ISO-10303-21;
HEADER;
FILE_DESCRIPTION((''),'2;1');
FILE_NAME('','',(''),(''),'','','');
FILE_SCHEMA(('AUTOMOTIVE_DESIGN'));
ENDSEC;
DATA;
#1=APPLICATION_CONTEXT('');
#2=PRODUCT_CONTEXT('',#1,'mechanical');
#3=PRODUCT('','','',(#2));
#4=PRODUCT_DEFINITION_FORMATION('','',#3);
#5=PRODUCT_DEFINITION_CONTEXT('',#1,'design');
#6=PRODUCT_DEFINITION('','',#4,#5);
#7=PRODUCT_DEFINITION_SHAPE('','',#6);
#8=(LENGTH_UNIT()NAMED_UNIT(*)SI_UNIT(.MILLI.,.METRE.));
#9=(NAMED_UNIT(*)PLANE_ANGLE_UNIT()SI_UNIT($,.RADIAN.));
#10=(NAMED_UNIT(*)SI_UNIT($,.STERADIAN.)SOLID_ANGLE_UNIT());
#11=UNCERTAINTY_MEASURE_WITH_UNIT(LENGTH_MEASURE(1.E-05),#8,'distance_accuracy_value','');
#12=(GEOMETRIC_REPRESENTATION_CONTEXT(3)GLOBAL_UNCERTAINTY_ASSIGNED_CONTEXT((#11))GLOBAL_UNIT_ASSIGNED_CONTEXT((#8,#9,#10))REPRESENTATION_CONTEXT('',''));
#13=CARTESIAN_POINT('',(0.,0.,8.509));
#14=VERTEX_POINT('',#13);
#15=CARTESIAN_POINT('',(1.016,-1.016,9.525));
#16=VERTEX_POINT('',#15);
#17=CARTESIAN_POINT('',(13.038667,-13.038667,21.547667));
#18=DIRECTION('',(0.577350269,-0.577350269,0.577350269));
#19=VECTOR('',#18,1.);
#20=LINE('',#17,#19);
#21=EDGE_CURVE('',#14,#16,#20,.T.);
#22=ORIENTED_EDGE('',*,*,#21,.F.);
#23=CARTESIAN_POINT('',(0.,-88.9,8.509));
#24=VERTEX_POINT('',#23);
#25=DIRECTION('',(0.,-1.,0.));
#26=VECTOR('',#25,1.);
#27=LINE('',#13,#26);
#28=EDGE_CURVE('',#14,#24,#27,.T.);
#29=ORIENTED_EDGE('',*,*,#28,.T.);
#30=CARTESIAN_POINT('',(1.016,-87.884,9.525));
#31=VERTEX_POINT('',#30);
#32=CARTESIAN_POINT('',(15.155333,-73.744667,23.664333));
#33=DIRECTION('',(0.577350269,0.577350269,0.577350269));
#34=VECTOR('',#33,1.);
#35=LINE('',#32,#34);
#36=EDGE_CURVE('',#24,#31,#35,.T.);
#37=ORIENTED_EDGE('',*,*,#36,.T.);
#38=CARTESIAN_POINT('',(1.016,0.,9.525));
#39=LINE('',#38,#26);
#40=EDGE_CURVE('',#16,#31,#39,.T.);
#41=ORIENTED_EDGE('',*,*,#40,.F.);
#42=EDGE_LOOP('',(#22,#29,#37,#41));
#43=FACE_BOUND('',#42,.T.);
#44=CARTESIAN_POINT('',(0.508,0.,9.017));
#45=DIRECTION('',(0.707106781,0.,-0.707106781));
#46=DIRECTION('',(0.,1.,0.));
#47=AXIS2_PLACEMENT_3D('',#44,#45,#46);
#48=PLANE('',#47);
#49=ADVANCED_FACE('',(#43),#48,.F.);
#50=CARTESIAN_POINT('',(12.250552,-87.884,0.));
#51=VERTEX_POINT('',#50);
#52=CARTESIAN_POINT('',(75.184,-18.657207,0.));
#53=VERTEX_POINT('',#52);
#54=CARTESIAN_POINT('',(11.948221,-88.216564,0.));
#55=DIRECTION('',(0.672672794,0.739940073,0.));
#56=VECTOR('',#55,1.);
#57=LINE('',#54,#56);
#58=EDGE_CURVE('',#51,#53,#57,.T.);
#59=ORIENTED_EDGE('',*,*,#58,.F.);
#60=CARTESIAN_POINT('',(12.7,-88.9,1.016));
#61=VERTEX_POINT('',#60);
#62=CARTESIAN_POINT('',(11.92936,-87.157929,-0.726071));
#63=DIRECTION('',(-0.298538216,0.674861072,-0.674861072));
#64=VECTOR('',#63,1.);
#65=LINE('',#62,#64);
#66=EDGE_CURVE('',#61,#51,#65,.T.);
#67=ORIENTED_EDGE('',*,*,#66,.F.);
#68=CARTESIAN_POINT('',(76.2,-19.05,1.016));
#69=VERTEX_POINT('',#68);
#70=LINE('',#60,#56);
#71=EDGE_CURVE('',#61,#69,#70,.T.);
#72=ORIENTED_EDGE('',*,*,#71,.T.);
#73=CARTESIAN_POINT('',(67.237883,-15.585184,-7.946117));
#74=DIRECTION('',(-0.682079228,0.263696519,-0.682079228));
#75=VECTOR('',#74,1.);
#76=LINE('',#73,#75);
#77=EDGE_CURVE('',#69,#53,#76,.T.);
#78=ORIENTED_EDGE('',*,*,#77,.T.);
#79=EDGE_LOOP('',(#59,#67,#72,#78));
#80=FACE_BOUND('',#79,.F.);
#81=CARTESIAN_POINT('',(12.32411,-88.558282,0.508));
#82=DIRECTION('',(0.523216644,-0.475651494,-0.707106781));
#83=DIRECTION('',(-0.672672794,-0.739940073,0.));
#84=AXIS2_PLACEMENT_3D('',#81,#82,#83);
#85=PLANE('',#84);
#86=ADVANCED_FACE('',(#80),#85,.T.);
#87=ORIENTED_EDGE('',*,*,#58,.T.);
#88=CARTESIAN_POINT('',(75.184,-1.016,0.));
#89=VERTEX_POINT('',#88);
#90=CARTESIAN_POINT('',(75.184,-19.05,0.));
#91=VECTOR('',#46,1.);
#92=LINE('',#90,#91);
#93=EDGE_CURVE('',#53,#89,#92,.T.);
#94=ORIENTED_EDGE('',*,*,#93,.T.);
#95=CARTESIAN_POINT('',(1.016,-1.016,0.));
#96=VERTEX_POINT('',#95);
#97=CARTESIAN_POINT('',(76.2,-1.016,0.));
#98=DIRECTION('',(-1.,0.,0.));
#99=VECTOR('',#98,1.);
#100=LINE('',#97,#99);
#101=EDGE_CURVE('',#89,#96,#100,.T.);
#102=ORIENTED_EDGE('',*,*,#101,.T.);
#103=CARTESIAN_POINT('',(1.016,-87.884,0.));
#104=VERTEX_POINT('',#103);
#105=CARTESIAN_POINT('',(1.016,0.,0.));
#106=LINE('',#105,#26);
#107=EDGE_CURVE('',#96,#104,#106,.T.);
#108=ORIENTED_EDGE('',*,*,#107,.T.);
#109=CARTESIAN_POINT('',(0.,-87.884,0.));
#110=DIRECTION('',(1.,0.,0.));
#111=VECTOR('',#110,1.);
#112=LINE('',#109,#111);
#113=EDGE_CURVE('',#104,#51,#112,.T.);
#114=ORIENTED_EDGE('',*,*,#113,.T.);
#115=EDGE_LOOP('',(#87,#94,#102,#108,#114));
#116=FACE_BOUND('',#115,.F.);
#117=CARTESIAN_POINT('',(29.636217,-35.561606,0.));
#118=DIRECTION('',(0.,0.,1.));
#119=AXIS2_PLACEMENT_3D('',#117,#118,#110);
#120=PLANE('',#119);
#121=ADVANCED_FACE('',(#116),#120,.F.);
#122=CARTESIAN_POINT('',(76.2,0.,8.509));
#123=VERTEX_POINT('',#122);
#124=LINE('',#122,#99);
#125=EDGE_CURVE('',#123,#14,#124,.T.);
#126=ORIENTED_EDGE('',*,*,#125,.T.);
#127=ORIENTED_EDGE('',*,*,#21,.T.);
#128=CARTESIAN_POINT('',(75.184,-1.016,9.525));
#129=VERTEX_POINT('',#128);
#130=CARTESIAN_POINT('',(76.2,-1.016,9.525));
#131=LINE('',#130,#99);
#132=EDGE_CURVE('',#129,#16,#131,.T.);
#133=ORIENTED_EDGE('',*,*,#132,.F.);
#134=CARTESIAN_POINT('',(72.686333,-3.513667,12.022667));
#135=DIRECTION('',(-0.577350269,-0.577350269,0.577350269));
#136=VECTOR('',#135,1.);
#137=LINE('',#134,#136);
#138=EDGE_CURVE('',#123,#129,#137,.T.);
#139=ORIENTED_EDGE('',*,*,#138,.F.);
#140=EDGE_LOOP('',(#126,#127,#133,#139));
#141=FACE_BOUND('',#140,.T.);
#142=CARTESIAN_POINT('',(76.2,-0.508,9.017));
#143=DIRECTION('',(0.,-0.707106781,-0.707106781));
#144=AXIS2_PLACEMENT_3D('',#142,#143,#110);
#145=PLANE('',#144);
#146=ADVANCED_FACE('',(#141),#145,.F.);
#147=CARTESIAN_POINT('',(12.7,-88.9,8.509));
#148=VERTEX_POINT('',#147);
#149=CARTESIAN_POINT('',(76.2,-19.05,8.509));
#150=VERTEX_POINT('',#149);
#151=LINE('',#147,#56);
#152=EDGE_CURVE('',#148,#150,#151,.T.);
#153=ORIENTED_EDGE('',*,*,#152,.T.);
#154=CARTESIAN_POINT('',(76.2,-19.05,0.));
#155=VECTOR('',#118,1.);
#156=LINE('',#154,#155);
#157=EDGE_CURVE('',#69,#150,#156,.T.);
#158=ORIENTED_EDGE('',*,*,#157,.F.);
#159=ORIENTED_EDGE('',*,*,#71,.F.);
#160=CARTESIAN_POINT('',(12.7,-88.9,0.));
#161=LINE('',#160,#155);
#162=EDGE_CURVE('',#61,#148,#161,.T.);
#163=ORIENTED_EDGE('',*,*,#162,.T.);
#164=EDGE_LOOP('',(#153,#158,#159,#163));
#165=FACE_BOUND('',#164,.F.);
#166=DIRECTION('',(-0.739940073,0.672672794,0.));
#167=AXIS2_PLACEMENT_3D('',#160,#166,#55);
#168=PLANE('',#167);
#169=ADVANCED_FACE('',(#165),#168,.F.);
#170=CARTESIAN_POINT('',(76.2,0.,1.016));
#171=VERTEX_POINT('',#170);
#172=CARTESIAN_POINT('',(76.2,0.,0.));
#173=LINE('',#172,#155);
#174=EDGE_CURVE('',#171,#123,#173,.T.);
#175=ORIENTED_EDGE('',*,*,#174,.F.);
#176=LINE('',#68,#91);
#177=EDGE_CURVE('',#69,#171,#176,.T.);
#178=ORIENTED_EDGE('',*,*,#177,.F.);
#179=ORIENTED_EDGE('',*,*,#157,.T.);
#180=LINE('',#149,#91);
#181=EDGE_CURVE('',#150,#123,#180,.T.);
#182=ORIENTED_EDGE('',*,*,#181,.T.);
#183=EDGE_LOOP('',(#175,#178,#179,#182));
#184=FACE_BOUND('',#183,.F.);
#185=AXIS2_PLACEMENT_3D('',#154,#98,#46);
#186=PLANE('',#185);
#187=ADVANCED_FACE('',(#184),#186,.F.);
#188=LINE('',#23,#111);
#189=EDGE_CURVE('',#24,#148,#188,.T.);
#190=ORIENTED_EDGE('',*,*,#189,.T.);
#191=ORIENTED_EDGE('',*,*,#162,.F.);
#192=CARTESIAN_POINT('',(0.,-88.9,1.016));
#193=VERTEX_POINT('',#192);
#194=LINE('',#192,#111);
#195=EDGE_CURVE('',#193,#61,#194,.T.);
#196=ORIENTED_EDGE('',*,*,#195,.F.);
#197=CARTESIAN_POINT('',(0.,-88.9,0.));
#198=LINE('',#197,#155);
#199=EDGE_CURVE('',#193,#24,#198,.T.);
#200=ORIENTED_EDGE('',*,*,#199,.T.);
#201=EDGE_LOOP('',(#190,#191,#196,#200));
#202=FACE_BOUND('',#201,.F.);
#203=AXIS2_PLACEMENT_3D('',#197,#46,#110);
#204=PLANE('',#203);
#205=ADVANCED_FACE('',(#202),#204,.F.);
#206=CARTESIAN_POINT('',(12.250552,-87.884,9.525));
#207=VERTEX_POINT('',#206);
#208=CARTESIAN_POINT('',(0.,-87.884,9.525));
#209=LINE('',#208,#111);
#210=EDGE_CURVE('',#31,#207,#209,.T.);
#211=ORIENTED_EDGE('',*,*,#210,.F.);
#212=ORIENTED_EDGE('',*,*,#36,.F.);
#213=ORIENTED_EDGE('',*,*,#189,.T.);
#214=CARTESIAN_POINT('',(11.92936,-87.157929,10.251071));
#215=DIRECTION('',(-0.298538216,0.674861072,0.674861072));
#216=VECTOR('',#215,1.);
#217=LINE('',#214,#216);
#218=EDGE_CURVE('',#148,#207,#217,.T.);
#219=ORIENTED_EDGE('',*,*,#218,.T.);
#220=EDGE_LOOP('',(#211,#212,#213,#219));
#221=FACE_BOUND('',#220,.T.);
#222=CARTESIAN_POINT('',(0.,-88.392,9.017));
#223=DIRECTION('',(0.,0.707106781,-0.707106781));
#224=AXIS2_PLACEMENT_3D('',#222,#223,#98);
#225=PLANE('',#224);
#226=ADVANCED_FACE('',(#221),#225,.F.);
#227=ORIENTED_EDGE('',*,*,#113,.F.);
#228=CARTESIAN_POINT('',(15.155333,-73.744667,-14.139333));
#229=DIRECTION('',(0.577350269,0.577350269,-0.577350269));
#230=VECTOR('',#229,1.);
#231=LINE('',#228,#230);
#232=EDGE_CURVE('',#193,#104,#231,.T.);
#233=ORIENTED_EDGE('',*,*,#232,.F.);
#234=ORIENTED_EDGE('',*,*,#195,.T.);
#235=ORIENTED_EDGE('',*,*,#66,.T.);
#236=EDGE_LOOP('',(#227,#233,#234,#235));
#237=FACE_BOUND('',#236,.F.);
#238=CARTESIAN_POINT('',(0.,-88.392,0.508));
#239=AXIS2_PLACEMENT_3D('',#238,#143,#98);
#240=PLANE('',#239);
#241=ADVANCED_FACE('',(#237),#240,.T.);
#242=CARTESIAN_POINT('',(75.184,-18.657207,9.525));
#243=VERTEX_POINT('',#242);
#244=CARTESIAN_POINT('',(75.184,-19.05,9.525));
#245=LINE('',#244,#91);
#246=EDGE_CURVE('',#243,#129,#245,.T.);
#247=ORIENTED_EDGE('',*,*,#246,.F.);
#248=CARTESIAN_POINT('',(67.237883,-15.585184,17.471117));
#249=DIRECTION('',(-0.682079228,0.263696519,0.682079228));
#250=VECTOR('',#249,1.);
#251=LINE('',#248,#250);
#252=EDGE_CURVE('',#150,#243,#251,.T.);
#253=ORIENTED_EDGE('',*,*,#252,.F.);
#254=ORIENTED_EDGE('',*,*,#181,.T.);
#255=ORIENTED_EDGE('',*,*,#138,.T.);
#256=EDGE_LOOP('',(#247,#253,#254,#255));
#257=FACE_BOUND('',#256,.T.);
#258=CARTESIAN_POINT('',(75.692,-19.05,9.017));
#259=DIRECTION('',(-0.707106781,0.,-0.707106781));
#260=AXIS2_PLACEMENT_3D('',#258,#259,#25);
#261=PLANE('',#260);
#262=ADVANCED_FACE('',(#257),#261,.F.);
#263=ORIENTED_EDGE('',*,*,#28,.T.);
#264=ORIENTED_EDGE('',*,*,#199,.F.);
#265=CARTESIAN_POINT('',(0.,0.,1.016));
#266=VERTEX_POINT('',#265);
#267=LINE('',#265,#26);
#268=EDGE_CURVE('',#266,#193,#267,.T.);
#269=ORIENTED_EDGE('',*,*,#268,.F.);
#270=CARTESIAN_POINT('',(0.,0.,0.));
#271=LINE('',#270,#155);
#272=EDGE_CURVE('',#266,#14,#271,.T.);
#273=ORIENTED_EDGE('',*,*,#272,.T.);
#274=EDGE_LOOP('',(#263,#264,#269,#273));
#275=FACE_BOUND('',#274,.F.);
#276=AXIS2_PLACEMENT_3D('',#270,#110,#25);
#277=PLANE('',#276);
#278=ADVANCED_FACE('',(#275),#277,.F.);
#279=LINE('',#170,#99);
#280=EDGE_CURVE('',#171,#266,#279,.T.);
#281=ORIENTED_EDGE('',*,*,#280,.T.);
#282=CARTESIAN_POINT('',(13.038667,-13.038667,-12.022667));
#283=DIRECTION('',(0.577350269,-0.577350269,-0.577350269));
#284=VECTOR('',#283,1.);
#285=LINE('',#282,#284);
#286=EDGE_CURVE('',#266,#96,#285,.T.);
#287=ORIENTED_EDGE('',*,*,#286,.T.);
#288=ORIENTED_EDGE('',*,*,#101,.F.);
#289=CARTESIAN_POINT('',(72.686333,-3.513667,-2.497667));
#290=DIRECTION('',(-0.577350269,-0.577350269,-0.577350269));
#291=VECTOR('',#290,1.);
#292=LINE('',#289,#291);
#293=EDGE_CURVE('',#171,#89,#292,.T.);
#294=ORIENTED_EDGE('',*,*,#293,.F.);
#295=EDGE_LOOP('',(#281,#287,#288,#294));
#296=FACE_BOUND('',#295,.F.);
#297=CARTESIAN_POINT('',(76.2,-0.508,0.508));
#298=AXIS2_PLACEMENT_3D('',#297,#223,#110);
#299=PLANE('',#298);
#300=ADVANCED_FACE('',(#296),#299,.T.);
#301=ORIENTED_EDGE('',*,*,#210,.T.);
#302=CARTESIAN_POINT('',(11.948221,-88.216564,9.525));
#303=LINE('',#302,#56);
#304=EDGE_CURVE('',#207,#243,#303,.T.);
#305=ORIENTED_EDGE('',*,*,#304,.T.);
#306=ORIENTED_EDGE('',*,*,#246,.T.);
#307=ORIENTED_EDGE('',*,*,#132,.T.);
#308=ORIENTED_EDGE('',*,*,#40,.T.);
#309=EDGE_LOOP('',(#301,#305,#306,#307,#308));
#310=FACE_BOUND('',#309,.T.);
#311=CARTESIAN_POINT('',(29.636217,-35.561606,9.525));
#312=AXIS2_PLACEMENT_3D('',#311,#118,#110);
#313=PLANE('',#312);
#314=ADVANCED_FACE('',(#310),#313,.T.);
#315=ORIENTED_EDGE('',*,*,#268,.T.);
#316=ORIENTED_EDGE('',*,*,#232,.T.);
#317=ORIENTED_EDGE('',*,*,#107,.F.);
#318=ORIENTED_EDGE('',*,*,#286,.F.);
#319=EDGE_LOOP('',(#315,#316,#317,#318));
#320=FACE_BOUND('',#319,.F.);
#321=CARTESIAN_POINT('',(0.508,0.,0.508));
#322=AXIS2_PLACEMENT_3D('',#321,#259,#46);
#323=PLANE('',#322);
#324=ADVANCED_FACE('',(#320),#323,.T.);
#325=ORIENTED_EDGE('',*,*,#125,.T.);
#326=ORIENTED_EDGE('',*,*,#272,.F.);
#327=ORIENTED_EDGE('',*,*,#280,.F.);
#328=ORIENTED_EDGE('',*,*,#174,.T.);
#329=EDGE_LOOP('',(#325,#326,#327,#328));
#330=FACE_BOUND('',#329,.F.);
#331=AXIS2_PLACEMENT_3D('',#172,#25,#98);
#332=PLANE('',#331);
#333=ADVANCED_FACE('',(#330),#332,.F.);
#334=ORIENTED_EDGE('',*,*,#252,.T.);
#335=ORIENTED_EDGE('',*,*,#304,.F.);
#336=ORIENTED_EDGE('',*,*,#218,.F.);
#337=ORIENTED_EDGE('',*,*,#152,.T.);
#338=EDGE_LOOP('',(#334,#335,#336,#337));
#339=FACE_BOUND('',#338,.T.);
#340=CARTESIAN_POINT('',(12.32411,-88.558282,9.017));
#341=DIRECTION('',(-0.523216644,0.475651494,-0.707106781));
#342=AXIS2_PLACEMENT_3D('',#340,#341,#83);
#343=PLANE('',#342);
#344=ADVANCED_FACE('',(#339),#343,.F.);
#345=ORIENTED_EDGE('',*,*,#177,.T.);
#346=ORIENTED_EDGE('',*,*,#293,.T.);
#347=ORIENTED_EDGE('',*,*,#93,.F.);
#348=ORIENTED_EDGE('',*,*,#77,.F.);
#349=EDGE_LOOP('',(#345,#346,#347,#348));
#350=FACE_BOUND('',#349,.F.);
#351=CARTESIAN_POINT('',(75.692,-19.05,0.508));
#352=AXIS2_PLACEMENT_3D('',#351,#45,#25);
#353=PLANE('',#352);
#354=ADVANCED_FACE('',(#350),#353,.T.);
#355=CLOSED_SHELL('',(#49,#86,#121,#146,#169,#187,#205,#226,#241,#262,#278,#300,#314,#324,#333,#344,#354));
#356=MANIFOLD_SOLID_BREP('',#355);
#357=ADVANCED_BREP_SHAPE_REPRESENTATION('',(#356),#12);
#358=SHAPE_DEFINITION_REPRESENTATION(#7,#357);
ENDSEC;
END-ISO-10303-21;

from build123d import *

# Parameters (mm, degrees)
F1_DEPTH = 9.525
F2_SIZE  = 1.016


with BuildPart() as f1:
    # F0 (on Top) → F1 (new body)
    with BuildSketch(Plane.XY):
        Polygon((76.2, 0), (0, 0), (0, -88.9), (12.7, -88.9), (76.2, -19.05), align=None)
    extrude(amount=F1_DEPTH)

    # F2
    f2_edges = [f1.edges().sort_by_distance(p)[0] for p in [
        (44.45, -53.975, 9.525),
        (76.2, -9.525, 9.525),
        (38.1, 0, 9.525),
        (0, -44.45, 9.525),
        (6.35, -88.9, 9.525),
        (44.45, -53.975, 0),
        (76.2, -9.525, 0),
        (38.1, 0, 0),
        (0, -44.45, 0),
        (6.35, -88.9, 0),
    ]]
    chamfer(f2_edges, length=F2_SIZE)


solid = f1.part
